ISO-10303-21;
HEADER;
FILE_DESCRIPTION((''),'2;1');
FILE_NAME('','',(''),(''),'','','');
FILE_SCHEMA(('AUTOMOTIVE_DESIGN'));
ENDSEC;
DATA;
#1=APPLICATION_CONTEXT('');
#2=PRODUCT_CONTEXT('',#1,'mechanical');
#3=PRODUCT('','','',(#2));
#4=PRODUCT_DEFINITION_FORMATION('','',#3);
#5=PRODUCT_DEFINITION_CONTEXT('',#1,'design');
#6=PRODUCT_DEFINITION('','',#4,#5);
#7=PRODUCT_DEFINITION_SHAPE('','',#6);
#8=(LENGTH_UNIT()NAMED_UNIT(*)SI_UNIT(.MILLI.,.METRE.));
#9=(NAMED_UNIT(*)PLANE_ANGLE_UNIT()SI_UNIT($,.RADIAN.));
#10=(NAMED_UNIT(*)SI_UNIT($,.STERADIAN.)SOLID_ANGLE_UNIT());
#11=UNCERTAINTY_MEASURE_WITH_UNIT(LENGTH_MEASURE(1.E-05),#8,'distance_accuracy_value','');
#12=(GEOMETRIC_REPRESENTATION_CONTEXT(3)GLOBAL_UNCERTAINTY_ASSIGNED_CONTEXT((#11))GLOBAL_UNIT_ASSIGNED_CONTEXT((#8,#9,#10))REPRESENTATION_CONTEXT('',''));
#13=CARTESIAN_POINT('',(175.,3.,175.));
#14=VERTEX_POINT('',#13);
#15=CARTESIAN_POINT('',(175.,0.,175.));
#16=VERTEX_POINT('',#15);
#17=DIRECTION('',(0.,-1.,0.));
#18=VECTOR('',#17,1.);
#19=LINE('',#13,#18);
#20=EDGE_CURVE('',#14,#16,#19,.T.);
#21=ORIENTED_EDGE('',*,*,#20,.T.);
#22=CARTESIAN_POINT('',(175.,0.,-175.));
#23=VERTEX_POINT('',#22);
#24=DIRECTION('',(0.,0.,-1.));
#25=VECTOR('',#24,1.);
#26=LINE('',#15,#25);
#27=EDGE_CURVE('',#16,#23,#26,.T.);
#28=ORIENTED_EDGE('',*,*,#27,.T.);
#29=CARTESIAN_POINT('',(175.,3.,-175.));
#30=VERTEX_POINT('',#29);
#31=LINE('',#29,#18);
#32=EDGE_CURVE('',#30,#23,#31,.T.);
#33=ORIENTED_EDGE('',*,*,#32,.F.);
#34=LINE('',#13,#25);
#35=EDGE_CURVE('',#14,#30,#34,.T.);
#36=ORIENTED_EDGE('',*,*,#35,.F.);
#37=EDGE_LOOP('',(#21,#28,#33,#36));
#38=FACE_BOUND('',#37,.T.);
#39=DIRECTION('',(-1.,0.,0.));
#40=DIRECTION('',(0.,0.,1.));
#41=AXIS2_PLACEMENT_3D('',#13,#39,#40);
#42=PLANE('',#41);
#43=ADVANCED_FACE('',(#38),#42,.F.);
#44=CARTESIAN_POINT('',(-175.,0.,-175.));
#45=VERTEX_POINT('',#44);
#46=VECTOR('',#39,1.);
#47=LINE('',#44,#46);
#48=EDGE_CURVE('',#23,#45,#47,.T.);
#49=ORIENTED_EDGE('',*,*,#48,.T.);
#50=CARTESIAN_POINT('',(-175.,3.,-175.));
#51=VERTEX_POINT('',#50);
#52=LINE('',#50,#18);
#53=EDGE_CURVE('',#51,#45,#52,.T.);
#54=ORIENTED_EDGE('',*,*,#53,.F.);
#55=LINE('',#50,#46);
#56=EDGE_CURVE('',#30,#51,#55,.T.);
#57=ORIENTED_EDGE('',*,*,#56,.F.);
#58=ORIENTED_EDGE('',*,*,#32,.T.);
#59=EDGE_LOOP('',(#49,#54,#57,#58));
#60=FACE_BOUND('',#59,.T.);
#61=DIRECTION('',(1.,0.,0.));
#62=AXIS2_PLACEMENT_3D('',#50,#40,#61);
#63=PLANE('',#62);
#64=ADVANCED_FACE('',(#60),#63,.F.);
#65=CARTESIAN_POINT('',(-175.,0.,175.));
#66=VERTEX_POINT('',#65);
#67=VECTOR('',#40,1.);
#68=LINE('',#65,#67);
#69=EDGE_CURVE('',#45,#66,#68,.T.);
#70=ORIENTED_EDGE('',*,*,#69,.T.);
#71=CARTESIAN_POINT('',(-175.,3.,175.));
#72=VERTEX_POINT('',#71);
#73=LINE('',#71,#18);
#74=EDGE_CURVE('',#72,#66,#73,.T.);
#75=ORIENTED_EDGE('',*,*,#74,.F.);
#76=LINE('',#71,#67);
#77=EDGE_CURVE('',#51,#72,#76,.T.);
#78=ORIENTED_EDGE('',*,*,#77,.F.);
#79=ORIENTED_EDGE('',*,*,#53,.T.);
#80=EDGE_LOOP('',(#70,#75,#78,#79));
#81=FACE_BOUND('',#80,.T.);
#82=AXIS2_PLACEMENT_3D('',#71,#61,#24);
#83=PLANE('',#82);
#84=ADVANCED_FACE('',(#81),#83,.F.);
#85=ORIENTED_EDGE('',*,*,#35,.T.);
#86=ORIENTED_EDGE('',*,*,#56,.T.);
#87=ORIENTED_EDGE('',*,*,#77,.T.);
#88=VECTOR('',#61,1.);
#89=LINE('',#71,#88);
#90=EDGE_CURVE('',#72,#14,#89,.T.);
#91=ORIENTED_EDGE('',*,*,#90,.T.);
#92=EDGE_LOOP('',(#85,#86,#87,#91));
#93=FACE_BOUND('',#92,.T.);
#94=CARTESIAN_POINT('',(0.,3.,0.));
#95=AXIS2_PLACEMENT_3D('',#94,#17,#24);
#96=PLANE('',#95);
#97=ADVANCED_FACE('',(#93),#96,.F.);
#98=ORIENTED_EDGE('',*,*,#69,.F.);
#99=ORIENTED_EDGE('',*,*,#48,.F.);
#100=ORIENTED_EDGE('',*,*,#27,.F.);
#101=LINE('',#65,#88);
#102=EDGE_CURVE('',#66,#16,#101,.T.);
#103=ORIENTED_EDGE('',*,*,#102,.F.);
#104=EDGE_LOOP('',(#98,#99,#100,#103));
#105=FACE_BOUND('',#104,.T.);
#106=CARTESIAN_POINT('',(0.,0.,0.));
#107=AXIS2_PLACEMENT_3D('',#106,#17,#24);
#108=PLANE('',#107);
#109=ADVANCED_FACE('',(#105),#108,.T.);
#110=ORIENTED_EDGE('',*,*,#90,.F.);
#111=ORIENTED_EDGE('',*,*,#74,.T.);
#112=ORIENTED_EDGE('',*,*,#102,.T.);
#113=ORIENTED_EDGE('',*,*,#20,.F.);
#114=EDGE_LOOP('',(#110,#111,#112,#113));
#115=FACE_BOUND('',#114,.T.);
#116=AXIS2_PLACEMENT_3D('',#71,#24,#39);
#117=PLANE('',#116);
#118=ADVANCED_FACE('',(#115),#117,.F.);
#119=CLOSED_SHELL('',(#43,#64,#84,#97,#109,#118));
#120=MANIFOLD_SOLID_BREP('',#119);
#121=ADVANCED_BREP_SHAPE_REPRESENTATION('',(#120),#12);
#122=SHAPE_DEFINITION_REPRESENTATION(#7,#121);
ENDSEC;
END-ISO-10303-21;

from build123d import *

# Parameters (mm, degrees)
ESQUISSE1_W        = 350
ESQUISSE1_H        = 350
BOSS_EXTRU_1_DEPTH = 3


with BuildPart() as part:
    # Esquisse1 → Boss.-Extru.1 (new body)
    with BuildSketch(Plane(origin=(0, 0, 0), x_dir=(1, 0, 0), z_dir=(0, 1, 0))):
        Rectangle(ESQUISSE1_W, ESQUISSE1_H)
    extrude(amount=BOSS_EXTRU_1_DEPTH)


solid = part.part
